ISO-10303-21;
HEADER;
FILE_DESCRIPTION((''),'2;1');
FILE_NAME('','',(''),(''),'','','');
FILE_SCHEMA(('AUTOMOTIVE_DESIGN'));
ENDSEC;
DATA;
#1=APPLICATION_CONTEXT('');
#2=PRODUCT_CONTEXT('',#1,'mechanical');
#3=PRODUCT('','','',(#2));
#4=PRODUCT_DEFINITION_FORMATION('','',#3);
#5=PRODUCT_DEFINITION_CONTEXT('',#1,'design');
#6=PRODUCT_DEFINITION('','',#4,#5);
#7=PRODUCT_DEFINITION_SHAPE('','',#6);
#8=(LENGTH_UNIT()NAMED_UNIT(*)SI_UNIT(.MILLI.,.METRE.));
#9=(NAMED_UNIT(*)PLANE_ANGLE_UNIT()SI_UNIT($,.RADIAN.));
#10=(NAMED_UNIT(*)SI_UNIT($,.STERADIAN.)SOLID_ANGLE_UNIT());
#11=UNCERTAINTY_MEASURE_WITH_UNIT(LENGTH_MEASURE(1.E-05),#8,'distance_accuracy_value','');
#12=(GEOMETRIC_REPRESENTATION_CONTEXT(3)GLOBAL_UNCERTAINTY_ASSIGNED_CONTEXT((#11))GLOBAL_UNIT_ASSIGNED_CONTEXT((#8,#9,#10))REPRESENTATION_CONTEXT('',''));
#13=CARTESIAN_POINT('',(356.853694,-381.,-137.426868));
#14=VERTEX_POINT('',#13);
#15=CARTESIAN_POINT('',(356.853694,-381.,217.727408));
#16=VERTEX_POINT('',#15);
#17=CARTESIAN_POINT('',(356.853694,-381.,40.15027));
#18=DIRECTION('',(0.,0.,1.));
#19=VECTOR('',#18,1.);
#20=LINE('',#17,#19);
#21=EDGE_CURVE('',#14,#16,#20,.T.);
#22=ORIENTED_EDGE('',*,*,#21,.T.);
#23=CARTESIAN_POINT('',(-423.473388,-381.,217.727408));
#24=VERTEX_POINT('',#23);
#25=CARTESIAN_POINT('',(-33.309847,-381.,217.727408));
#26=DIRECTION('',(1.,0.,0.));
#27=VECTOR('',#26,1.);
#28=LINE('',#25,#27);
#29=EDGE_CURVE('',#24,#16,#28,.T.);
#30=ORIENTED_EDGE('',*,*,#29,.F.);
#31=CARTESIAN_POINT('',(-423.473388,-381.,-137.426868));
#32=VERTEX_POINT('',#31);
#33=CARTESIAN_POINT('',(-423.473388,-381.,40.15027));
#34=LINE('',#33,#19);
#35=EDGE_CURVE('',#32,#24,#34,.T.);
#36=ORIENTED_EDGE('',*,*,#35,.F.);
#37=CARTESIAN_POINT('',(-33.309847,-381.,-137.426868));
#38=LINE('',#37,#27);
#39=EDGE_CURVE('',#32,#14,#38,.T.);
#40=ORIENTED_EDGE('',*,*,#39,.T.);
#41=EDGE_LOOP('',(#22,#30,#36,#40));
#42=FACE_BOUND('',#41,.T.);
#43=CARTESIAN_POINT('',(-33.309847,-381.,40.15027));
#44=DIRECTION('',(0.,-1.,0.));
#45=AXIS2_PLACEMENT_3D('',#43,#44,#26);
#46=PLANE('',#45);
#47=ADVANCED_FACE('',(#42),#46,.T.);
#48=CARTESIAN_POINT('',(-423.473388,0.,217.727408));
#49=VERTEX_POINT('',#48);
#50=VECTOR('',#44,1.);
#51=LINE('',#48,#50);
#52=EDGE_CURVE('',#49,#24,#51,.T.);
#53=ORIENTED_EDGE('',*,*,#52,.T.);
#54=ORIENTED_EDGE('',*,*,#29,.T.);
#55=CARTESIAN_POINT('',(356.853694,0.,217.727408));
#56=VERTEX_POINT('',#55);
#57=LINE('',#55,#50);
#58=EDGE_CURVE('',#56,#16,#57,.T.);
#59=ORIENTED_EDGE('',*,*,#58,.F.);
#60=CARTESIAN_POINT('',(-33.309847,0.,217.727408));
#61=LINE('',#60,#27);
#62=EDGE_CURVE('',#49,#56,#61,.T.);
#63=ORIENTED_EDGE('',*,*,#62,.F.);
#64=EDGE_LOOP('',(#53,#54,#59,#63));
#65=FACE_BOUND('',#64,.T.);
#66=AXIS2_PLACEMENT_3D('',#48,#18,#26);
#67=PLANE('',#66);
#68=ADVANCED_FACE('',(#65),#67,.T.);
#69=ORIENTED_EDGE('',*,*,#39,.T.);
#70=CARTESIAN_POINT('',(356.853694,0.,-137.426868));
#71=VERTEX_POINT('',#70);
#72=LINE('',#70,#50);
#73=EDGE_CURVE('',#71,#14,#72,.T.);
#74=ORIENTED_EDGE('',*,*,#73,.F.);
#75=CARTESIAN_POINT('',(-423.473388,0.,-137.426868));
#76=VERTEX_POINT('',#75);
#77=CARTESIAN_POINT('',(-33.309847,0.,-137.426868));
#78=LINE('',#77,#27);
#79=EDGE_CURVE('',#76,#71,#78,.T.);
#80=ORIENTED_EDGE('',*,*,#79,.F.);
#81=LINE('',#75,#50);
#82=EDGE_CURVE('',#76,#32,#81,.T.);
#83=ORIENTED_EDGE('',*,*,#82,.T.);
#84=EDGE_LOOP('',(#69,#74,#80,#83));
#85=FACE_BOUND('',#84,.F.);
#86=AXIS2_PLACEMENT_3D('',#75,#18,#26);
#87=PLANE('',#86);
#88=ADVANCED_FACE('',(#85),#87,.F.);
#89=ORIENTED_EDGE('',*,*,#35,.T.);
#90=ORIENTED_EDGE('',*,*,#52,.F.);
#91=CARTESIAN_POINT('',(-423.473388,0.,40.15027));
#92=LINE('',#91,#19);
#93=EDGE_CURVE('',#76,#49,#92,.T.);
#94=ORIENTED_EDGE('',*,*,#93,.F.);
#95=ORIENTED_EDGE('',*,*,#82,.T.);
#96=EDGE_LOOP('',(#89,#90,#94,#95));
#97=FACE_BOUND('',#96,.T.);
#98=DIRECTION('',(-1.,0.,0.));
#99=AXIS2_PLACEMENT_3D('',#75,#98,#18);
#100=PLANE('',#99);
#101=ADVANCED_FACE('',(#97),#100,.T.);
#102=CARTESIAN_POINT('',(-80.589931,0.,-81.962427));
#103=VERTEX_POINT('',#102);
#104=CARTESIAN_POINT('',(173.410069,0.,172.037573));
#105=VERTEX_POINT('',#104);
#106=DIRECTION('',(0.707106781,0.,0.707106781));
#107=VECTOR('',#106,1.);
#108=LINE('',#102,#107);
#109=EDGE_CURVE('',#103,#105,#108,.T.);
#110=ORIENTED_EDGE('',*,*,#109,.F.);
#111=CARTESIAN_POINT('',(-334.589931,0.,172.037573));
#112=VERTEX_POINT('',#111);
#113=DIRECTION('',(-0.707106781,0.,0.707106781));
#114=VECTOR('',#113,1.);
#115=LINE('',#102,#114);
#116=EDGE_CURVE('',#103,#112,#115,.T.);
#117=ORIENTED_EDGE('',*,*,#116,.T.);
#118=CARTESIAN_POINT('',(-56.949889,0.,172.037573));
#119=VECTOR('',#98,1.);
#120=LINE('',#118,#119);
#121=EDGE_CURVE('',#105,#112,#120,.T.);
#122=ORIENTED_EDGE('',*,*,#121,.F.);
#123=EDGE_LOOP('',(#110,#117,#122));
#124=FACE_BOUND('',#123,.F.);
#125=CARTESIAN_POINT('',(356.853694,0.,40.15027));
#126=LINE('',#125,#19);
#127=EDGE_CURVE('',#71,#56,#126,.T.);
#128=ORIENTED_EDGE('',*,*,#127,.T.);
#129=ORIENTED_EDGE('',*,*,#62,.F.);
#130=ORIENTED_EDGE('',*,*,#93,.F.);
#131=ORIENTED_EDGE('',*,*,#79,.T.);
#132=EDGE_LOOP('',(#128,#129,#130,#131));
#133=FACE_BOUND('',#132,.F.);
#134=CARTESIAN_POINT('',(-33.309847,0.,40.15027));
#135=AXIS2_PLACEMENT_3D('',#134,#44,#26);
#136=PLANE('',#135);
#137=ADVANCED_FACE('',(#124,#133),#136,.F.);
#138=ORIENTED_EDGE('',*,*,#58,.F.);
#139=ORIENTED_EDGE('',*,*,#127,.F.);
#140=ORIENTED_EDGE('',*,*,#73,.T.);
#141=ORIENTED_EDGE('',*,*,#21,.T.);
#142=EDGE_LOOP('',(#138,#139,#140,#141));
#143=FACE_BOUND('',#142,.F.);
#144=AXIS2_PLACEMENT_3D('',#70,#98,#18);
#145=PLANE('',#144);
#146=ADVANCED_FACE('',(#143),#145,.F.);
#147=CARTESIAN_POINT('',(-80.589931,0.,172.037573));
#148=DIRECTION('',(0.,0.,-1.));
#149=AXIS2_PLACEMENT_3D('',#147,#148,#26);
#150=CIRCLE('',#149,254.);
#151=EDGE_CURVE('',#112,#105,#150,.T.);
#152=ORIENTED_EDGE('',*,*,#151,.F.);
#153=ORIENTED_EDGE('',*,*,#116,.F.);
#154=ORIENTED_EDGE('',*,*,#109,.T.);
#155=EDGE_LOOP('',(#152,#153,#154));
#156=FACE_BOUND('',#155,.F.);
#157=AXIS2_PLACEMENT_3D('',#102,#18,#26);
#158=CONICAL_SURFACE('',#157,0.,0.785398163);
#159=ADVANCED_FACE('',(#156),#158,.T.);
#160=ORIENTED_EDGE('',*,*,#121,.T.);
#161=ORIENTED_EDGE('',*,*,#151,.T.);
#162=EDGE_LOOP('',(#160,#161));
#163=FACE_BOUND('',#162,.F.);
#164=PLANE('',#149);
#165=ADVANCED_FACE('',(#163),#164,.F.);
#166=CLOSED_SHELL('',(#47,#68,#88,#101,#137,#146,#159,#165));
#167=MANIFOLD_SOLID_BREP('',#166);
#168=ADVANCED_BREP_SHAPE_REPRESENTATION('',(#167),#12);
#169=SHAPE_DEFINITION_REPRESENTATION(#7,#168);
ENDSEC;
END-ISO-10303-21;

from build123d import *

# Parameters (mm, degrees)
F2_W     = 780.327082
F2_H     = 355.154276
F3_DEPTH = 381


with BuildPart() as f1:
    # F0 (on Front) → F1 (revolve)
    with BuildSketch(Plane.XZ):
        Polygon((173.410069, 172.037573), (-80.589931, 172.037573), (-80.589931, -81.962427), align=None)
    revolve(axis=Axis((-80.589931, 0, 45.037573), (0, 0, -1)))

    # F2 (on Front) → F3 (join)
    with BuildSketch(Plane.XZ):
        with Locations((-33.309847, 40.15027)):
            Rectangle(F2_W, F2_H)
    extrude(amount=F3_DEPTH)


solid = f1.part
